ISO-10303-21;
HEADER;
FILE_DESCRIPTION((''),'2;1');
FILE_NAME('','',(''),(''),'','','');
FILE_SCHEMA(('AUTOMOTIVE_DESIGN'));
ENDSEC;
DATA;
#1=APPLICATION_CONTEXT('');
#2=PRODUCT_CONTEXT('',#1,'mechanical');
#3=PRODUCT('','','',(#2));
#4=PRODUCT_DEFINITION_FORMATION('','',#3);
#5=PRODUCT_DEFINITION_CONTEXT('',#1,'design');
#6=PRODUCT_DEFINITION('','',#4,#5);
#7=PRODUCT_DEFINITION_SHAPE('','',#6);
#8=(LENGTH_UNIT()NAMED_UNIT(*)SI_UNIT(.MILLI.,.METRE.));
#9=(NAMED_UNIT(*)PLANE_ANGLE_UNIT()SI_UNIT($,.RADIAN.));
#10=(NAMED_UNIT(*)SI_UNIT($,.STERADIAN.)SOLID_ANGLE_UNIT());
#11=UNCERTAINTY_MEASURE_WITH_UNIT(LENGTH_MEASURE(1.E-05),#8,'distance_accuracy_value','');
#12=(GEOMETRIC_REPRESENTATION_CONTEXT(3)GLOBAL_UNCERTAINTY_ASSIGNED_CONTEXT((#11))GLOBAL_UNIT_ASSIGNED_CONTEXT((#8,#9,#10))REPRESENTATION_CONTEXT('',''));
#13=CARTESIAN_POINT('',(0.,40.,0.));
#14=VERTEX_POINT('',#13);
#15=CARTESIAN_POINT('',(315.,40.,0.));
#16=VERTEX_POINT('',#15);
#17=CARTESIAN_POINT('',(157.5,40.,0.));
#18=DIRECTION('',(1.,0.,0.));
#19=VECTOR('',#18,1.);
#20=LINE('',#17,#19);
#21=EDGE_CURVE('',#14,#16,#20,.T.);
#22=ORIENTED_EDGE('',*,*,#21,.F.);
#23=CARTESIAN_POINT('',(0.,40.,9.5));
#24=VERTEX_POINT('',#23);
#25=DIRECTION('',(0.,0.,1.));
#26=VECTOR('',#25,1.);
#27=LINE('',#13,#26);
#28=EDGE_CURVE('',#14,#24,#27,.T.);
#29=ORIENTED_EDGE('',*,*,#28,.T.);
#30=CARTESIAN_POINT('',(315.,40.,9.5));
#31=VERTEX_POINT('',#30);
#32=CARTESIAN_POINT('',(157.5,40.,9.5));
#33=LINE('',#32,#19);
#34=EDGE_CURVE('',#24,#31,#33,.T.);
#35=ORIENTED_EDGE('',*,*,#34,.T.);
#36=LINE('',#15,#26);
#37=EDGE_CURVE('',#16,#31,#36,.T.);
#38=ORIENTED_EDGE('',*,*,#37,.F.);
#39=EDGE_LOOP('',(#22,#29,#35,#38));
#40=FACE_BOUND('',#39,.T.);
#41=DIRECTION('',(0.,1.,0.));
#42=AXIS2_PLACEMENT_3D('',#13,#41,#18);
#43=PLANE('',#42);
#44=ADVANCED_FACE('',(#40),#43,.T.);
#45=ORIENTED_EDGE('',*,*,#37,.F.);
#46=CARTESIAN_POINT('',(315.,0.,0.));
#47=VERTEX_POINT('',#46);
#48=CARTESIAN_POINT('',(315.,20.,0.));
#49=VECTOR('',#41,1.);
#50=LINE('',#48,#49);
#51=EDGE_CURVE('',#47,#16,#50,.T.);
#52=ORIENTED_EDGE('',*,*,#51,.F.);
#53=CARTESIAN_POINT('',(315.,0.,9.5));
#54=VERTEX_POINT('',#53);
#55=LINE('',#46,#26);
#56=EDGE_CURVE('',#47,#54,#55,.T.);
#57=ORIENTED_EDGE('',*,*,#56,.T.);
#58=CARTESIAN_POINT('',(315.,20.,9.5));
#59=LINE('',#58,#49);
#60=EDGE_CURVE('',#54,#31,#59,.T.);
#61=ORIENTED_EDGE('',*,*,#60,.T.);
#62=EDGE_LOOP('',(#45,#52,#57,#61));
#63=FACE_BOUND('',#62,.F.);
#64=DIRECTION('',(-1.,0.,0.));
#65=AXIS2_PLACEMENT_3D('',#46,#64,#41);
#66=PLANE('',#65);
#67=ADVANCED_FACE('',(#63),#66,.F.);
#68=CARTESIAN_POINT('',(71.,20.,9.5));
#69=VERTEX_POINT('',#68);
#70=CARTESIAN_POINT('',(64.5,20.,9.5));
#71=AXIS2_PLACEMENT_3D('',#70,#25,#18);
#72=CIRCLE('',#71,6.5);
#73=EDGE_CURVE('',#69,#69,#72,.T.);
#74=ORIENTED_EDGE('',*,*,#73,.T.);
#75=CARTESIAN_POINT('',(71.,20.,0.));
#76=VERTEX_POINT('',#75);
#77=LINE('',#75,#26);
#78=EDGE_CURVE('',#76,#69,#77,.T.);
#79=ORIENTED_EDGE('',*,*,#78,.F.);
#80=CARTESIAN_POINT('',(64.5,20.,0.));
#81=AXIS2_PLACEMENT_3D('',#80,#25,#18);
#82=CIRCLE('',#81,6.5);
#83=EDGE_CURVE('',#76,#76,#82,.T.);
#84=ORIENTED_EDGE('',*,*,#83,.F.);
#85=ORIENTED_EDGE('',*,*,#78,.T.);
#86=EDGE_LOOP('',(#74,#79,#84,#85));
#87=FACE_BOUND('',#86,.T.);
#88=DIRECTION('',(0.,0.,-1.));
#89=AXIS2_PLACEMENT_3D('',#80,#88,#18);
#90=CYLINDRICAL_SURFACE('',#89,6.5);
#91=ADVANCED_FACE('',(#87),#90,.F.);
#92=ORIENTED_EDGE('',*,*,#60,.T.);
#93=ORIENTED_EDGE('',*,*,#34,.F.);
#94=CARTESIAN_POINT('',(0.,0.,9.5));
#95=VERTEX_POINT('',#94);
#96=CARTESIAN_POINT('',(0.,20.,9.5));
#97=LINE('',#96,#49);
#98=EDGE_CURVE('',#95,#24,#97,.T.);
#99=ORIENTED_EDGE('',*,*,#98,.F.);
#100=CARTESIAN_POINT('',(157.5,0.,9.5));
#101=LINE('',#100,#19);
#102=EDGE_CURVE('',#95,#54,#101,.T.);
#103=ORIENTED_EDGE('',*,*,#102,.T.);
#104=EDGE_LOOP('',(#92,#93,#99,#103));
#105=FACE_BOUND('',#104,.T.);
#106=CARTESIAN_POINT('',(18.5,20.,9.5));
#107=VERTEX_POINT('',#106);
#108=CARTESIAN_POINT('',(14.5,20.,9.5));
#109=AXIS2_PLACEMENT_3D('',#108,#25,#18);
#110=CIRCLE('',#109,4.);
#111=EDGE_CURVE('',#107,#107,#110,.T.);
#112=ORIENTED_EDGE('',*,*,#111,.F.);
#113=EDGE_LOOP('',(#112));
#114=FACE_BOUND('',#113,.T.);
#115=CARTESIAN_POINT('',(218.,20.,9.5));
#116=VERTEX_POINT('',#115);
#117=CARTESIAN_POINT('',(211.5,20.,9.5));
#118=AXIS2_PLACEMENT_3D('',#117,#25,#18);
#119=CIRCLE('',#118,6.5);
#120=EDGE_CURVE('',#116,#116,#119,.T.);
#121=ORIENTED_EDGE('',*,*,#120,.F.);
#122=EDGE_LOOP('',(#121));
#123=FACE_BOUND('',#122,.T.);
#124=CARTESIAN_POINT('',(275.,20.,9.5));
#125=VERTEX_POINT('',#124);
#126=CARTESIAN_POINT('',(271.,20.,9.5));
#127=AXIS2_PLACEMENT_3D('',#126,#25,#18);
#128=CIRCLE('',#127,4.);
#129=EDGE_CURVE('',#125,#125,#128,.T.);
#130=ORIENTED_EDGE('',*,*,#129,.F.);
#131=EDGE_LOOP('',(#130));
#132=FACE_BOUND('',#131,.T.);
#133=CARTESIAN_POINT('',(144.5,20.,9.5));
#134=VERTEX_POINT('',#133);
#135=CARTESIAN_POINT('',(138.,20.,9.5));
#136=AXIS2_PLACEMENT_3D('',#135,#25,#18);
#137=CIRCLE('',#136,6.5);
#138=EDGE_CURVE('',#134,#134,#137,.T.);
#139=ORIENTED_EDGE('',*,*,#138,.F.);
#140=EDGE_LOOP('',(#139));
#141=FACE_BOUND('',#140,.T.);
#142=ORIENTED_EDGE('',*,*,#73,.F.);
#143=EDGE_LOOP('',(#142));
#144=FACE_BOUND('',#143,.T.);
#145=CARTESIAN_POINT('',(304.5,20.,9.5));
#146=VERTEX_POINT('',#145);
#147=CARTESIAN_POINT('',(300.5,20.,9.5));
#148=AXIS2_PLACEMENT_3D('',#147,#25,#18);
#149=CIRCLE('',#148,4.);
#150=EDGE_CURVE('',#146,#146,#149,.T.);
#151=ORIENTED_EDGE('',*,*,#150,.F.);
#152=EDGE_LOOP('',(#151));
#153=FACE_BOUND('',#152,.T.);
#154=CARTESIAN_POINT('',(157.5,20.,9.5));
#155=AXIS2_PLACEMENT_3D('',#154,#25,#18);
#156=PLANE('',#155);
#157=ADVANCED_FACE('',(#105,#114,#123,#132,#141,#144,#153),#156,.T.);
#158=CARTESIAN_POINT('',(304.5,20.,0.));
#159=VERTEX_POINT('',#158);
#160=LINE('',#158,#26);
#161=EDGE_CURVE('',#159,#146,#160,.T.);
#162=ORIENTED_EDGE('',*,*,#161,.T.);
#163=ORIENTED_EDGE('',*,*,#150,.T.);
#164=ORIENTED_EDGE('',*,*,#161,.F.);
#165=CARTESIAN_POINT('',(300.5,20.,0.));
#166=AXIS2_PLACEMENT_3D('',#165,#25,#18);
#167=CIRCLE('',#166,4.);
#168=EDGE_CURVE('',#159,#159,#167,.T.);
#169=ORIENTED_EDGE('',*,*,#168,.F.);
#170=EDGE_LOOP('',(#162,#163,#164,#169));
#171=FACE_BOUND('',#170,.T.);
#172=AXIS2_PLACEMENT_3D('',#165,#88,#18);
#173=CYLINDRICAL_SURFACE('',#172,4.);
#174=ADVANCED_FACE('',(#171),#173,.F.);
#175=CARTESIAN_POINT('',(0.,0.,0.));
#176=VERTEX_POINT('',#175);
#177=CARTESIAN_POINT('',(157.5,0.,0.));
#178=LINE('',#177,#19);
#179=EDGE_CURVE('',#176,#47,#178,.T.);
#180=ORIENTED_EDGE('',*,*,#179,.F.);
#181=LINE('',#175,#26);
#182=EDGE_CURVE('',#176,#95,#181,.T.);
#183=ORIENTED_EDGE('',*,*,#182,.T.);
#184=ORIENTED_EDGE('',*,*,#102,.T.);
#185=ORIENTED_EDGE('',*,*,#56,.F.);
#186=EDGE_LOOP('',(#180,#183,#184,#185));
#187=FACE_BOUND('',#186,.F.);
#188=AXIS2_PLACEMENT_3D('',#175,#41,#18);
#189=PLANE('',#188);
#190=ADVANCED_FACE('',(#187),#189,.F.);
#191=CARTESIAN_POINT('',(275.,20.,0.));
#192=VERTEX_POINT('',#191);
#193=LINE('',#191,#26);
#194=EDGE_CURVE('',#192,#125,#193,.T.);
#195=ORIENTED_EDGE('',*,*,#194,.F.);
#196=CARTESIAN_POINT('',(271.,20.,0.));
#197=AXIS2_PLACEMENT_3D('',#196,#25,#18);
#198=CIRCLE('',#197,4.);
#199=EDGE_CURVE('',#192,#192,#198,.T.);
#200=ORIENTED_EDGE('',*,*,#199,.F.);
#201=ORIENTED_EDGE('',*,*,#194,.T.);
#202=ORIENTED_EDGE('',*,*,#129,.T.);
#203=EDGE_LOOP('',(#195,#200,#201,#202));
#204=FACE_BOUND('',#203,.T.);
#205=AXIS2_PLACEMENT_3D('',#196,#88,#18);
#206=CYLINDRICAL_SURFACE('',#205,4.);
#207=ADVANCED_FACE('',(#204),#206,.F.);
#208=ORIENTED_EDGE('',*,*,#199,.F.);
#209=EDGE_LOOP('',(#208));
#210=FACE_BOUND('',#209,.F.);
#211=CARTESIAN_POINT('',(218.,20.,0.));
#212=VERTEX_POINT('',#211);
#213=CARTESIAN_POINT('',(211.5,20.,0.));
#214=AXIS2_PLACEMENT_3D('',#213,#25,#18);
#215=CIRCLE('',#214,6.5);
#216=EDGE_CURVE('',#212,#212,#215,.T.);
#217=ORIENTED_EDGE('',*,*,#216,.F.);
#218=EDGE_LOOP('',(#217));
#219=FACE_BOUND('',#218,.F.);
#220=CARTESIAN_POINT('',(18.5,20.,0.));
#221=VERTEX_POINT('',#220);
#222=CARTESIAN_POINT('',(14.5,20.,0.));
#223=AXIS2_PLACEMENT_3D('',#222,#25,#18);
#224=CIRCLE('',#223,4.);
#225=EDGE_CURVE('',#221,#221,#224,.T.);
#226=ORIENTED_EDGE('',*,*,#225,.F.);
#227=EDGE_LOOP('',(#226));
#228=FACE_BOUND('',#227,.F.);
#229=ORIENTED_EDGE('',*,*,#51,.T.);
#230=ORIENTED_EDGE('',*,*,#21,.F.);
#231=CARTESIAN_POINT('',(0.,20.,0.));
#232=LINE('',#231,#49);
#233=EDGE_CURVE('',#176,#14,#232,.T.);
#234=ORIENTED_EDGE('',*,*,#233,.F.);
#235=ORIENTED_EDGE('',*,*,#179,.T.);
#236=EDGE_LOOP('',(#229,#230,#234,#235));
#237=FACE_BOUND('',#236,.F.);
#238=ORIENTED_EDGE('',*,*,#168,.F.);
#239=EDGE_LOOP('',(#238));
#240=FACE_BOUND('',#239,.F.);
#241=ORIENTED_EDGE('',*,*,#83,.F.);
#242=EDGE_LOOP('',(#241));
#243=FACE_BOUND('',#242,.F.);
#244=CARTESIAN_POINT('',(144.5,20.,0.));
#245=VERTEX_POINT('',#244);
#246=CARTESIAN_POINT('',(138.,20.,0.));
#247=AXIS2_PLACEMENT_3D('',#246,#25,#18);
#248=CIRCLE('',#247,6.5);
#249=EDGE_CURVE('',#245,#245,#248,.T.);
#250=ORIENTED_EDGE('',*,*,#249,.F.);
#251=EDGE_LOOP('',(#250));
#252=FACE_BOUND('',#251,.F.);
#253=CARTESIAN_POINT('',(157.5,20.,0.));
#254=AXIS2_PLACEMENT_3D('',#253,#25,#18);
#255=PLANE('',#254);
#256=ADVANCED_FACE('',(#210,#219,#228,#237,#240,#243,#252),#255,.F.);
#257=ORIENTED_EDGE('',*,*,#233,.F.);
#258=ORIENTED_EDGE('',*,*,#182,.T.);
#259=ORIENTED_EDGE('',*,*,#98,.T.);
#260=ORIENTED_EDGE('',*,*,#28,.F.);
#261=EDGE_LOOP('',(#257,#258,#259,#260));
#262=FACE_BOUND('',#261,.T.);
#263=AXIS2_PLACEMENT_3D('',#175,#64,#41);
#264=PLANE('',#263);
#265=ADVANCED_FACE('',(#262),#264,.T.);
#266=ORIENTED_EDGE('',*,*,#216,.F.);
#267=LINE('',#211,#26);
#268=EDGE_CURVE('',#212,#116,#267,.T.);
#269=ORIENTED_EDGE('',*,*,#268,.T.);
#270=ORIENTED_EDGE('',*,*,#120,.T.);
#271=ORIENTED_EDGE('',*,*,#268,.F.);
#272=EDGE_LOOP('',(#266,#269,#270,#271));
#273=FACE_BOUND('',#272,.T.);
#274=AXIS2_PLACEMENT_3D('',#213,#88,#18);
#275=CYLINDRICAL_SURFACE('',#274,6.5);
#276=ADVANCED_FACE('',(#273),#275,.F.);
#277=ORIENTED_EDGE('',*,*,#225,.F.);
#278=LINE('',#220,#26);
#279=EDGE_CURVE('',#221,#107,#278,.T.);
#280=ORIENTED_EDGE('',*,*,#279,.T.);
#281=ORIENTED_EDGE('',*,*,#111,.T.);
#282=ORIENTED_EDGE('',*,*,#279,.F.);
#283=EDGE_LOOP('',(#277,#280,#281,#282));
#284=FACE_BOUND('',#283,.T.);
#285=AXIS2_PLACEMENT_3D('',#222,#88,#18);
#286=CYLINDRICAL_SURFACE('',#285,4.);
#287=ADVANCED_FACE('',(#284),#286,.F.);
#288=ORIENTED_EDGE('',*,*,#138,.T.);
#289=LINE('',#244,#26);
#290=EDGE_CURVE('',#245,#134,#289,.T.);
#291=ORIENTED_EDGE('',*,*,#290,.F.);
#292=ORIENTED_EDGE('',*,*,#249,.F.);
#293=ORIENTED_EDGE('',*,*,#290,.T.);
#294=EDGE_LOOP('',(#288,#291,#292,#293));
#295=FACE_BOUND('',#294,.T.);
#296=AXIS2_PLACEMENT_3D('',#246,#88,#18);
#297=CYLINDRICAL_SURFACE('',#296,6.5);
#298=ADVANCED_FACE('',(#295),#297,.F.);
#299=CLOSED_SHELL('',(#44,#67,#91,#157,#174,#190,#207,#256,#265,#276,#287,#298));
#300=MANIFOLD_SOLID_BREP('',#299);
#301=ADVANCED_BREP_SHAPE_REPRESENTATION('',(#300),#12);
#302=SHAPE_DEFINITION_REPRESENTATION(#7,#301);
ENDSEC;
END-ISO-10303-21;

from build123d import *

# Parameters (mm, degrees)
F0_W     = 315
F0_H     = 40
F0_R     = 4
F0_R_2   = 6.5
F1_DEPTH = 9.5


with BuildPart() as f1:
    # F0 (on Top) → F1 (new body)
    with BuildSketch(Plane.XY):
        with Locations((157.5, 20)):
            Rectangle(F0_W, F0_H)
        with Locations((14.5, 20)):
            Circle(F0_R, mode=Mode.SUBTRACT)
        with Locations((64.5, 20)):
            Circle(F0_R_2, mode=Mode.SUBTRACT)
        with Locations((138, 20)):
            Circle(F0_R_2, mode=Mode.SUBTRACT)
        with Locations((211.5, 20)):
            Circle(F0_R_2, mode=Mode.SUBTRACT)
        with Locations((271, 20)):
            Circle(F0_R, mode=Mode.SUBTRACT)
        with Locations((300.5, 20)):
            Circle(F0_R, mode=Mode.SUBTRACT)
    extrude(amount=F1_DEPTH)


solid = f1.part
